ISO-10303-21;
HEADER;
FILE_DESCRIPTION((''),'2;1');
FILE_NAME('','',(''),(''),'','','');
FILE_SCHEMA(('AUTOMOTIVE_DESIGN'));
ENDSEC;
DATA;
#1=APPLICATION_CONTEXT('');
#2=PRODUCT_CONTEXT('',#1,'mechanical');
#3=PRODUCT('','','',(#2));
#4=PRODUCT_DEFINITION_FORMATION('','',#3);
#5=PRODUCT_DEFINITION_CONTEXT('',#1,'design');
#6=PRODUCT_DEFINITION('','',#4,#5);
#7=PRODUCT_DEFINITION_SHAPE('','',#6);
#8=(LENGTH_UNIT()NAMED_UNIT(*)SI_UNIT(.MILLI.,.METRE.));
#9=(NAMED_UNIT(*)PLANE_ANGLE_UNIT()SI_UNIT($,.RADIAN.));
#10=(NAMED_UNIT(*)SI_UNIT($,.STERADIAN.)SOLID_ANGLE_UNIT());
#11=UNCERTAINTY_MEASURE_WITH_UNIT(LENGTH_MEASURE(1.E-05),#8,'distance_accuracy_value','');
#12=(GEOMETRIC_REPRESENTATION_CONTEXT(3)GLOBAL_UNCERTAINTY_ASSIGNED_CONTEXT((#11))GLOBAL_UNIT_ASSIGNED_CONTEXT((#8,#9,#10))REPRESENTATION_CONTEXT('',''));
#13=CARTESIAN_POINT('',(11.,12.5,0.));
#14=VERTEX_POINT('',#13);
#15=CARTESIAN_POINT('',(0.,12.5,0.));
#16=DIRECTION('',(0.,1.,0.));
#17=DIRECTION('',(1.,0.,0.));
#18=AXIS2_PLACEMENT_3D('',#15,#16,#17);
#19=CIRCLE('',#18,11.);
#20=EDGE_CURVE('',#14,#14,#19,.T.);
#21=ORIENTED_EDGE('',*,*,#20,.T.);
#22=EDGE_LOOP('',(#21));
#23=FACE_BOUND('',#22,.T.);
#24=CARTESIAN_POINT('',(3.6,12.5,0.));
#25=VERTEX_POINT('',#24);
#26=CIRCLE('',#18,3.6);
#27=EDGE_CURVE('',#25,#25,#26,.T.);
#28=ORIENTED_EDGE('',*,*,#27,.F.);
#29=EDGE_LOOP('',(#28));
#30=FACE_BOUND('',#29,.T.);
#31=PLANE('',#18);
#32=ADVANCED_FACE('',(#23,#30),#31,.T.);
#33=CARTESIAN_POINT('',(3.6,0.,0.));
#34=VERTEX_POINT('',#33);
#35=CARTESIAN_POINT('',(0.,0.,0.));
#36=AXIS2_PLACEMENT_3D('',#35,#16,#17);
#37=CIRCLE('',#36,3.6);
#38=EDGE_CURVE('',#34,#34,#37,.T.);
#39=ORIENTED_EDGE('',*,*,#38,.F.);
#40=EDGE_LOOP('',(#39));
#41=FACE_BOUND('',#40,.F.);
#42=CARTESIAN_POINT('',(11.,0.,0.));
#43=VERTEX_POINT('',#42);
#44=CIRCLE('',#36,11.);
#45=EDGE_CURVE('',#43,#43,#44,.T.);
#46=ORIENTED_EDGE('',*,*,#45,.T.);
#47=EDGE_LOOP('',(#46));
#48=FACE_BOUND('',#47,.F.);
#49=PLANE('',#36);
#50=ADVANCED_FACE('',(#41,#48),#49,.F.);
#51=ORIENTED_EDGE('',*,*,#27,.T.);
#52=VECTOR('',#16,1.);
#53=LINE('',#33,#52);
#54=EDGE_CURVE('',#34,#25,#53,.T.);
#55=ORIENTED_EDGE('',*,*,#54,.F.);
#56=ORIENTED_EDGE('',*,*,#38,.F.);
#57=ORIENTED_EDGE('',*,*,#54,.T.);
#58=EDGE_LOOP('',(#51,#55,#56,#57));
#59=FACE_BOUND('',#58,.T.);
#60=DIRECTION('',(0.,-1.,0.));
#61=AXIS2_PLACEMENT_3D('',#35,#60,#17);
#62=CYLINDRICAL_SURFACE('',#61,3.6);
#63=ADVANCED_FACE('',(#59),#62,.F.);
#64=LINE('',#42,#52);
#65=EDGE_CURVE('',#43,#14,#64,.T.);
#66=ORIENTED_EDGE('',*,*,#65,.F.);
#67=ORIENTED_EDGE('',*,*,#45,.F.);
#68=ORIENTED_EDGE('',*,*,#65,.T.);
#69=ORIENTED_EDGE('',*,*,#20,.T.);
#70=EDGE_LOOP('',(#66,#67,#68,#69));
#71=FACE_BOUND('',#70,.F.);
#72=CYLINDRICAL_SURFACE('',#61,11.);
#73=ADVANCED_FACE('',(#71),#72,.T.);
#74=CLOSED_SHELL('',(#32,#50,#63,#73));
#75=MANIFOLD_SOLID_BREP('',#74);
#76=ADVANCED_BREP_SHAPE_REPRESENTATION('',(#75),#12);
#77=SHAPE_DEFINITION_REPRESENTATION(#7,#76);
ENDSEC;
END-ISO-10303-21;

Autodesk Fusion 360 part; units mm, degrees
sketch "Sketch1" plane through (0, 0, 0) normal (0, 0, 1) x (1, 0, 0)
sketch "Sketch2" plane through (0, 0, 0) normal (0, 1, 0) x (1, 0, 0)
  circle A0 centre (0, 0) radius 11
  circle A1 centre (0, 0) radius 3.6
  dimension "d6" = 22
  dimension "d7" = 7.2
extrude "Extrude1" add sketch "Sketch2" along normal blind 12.5
